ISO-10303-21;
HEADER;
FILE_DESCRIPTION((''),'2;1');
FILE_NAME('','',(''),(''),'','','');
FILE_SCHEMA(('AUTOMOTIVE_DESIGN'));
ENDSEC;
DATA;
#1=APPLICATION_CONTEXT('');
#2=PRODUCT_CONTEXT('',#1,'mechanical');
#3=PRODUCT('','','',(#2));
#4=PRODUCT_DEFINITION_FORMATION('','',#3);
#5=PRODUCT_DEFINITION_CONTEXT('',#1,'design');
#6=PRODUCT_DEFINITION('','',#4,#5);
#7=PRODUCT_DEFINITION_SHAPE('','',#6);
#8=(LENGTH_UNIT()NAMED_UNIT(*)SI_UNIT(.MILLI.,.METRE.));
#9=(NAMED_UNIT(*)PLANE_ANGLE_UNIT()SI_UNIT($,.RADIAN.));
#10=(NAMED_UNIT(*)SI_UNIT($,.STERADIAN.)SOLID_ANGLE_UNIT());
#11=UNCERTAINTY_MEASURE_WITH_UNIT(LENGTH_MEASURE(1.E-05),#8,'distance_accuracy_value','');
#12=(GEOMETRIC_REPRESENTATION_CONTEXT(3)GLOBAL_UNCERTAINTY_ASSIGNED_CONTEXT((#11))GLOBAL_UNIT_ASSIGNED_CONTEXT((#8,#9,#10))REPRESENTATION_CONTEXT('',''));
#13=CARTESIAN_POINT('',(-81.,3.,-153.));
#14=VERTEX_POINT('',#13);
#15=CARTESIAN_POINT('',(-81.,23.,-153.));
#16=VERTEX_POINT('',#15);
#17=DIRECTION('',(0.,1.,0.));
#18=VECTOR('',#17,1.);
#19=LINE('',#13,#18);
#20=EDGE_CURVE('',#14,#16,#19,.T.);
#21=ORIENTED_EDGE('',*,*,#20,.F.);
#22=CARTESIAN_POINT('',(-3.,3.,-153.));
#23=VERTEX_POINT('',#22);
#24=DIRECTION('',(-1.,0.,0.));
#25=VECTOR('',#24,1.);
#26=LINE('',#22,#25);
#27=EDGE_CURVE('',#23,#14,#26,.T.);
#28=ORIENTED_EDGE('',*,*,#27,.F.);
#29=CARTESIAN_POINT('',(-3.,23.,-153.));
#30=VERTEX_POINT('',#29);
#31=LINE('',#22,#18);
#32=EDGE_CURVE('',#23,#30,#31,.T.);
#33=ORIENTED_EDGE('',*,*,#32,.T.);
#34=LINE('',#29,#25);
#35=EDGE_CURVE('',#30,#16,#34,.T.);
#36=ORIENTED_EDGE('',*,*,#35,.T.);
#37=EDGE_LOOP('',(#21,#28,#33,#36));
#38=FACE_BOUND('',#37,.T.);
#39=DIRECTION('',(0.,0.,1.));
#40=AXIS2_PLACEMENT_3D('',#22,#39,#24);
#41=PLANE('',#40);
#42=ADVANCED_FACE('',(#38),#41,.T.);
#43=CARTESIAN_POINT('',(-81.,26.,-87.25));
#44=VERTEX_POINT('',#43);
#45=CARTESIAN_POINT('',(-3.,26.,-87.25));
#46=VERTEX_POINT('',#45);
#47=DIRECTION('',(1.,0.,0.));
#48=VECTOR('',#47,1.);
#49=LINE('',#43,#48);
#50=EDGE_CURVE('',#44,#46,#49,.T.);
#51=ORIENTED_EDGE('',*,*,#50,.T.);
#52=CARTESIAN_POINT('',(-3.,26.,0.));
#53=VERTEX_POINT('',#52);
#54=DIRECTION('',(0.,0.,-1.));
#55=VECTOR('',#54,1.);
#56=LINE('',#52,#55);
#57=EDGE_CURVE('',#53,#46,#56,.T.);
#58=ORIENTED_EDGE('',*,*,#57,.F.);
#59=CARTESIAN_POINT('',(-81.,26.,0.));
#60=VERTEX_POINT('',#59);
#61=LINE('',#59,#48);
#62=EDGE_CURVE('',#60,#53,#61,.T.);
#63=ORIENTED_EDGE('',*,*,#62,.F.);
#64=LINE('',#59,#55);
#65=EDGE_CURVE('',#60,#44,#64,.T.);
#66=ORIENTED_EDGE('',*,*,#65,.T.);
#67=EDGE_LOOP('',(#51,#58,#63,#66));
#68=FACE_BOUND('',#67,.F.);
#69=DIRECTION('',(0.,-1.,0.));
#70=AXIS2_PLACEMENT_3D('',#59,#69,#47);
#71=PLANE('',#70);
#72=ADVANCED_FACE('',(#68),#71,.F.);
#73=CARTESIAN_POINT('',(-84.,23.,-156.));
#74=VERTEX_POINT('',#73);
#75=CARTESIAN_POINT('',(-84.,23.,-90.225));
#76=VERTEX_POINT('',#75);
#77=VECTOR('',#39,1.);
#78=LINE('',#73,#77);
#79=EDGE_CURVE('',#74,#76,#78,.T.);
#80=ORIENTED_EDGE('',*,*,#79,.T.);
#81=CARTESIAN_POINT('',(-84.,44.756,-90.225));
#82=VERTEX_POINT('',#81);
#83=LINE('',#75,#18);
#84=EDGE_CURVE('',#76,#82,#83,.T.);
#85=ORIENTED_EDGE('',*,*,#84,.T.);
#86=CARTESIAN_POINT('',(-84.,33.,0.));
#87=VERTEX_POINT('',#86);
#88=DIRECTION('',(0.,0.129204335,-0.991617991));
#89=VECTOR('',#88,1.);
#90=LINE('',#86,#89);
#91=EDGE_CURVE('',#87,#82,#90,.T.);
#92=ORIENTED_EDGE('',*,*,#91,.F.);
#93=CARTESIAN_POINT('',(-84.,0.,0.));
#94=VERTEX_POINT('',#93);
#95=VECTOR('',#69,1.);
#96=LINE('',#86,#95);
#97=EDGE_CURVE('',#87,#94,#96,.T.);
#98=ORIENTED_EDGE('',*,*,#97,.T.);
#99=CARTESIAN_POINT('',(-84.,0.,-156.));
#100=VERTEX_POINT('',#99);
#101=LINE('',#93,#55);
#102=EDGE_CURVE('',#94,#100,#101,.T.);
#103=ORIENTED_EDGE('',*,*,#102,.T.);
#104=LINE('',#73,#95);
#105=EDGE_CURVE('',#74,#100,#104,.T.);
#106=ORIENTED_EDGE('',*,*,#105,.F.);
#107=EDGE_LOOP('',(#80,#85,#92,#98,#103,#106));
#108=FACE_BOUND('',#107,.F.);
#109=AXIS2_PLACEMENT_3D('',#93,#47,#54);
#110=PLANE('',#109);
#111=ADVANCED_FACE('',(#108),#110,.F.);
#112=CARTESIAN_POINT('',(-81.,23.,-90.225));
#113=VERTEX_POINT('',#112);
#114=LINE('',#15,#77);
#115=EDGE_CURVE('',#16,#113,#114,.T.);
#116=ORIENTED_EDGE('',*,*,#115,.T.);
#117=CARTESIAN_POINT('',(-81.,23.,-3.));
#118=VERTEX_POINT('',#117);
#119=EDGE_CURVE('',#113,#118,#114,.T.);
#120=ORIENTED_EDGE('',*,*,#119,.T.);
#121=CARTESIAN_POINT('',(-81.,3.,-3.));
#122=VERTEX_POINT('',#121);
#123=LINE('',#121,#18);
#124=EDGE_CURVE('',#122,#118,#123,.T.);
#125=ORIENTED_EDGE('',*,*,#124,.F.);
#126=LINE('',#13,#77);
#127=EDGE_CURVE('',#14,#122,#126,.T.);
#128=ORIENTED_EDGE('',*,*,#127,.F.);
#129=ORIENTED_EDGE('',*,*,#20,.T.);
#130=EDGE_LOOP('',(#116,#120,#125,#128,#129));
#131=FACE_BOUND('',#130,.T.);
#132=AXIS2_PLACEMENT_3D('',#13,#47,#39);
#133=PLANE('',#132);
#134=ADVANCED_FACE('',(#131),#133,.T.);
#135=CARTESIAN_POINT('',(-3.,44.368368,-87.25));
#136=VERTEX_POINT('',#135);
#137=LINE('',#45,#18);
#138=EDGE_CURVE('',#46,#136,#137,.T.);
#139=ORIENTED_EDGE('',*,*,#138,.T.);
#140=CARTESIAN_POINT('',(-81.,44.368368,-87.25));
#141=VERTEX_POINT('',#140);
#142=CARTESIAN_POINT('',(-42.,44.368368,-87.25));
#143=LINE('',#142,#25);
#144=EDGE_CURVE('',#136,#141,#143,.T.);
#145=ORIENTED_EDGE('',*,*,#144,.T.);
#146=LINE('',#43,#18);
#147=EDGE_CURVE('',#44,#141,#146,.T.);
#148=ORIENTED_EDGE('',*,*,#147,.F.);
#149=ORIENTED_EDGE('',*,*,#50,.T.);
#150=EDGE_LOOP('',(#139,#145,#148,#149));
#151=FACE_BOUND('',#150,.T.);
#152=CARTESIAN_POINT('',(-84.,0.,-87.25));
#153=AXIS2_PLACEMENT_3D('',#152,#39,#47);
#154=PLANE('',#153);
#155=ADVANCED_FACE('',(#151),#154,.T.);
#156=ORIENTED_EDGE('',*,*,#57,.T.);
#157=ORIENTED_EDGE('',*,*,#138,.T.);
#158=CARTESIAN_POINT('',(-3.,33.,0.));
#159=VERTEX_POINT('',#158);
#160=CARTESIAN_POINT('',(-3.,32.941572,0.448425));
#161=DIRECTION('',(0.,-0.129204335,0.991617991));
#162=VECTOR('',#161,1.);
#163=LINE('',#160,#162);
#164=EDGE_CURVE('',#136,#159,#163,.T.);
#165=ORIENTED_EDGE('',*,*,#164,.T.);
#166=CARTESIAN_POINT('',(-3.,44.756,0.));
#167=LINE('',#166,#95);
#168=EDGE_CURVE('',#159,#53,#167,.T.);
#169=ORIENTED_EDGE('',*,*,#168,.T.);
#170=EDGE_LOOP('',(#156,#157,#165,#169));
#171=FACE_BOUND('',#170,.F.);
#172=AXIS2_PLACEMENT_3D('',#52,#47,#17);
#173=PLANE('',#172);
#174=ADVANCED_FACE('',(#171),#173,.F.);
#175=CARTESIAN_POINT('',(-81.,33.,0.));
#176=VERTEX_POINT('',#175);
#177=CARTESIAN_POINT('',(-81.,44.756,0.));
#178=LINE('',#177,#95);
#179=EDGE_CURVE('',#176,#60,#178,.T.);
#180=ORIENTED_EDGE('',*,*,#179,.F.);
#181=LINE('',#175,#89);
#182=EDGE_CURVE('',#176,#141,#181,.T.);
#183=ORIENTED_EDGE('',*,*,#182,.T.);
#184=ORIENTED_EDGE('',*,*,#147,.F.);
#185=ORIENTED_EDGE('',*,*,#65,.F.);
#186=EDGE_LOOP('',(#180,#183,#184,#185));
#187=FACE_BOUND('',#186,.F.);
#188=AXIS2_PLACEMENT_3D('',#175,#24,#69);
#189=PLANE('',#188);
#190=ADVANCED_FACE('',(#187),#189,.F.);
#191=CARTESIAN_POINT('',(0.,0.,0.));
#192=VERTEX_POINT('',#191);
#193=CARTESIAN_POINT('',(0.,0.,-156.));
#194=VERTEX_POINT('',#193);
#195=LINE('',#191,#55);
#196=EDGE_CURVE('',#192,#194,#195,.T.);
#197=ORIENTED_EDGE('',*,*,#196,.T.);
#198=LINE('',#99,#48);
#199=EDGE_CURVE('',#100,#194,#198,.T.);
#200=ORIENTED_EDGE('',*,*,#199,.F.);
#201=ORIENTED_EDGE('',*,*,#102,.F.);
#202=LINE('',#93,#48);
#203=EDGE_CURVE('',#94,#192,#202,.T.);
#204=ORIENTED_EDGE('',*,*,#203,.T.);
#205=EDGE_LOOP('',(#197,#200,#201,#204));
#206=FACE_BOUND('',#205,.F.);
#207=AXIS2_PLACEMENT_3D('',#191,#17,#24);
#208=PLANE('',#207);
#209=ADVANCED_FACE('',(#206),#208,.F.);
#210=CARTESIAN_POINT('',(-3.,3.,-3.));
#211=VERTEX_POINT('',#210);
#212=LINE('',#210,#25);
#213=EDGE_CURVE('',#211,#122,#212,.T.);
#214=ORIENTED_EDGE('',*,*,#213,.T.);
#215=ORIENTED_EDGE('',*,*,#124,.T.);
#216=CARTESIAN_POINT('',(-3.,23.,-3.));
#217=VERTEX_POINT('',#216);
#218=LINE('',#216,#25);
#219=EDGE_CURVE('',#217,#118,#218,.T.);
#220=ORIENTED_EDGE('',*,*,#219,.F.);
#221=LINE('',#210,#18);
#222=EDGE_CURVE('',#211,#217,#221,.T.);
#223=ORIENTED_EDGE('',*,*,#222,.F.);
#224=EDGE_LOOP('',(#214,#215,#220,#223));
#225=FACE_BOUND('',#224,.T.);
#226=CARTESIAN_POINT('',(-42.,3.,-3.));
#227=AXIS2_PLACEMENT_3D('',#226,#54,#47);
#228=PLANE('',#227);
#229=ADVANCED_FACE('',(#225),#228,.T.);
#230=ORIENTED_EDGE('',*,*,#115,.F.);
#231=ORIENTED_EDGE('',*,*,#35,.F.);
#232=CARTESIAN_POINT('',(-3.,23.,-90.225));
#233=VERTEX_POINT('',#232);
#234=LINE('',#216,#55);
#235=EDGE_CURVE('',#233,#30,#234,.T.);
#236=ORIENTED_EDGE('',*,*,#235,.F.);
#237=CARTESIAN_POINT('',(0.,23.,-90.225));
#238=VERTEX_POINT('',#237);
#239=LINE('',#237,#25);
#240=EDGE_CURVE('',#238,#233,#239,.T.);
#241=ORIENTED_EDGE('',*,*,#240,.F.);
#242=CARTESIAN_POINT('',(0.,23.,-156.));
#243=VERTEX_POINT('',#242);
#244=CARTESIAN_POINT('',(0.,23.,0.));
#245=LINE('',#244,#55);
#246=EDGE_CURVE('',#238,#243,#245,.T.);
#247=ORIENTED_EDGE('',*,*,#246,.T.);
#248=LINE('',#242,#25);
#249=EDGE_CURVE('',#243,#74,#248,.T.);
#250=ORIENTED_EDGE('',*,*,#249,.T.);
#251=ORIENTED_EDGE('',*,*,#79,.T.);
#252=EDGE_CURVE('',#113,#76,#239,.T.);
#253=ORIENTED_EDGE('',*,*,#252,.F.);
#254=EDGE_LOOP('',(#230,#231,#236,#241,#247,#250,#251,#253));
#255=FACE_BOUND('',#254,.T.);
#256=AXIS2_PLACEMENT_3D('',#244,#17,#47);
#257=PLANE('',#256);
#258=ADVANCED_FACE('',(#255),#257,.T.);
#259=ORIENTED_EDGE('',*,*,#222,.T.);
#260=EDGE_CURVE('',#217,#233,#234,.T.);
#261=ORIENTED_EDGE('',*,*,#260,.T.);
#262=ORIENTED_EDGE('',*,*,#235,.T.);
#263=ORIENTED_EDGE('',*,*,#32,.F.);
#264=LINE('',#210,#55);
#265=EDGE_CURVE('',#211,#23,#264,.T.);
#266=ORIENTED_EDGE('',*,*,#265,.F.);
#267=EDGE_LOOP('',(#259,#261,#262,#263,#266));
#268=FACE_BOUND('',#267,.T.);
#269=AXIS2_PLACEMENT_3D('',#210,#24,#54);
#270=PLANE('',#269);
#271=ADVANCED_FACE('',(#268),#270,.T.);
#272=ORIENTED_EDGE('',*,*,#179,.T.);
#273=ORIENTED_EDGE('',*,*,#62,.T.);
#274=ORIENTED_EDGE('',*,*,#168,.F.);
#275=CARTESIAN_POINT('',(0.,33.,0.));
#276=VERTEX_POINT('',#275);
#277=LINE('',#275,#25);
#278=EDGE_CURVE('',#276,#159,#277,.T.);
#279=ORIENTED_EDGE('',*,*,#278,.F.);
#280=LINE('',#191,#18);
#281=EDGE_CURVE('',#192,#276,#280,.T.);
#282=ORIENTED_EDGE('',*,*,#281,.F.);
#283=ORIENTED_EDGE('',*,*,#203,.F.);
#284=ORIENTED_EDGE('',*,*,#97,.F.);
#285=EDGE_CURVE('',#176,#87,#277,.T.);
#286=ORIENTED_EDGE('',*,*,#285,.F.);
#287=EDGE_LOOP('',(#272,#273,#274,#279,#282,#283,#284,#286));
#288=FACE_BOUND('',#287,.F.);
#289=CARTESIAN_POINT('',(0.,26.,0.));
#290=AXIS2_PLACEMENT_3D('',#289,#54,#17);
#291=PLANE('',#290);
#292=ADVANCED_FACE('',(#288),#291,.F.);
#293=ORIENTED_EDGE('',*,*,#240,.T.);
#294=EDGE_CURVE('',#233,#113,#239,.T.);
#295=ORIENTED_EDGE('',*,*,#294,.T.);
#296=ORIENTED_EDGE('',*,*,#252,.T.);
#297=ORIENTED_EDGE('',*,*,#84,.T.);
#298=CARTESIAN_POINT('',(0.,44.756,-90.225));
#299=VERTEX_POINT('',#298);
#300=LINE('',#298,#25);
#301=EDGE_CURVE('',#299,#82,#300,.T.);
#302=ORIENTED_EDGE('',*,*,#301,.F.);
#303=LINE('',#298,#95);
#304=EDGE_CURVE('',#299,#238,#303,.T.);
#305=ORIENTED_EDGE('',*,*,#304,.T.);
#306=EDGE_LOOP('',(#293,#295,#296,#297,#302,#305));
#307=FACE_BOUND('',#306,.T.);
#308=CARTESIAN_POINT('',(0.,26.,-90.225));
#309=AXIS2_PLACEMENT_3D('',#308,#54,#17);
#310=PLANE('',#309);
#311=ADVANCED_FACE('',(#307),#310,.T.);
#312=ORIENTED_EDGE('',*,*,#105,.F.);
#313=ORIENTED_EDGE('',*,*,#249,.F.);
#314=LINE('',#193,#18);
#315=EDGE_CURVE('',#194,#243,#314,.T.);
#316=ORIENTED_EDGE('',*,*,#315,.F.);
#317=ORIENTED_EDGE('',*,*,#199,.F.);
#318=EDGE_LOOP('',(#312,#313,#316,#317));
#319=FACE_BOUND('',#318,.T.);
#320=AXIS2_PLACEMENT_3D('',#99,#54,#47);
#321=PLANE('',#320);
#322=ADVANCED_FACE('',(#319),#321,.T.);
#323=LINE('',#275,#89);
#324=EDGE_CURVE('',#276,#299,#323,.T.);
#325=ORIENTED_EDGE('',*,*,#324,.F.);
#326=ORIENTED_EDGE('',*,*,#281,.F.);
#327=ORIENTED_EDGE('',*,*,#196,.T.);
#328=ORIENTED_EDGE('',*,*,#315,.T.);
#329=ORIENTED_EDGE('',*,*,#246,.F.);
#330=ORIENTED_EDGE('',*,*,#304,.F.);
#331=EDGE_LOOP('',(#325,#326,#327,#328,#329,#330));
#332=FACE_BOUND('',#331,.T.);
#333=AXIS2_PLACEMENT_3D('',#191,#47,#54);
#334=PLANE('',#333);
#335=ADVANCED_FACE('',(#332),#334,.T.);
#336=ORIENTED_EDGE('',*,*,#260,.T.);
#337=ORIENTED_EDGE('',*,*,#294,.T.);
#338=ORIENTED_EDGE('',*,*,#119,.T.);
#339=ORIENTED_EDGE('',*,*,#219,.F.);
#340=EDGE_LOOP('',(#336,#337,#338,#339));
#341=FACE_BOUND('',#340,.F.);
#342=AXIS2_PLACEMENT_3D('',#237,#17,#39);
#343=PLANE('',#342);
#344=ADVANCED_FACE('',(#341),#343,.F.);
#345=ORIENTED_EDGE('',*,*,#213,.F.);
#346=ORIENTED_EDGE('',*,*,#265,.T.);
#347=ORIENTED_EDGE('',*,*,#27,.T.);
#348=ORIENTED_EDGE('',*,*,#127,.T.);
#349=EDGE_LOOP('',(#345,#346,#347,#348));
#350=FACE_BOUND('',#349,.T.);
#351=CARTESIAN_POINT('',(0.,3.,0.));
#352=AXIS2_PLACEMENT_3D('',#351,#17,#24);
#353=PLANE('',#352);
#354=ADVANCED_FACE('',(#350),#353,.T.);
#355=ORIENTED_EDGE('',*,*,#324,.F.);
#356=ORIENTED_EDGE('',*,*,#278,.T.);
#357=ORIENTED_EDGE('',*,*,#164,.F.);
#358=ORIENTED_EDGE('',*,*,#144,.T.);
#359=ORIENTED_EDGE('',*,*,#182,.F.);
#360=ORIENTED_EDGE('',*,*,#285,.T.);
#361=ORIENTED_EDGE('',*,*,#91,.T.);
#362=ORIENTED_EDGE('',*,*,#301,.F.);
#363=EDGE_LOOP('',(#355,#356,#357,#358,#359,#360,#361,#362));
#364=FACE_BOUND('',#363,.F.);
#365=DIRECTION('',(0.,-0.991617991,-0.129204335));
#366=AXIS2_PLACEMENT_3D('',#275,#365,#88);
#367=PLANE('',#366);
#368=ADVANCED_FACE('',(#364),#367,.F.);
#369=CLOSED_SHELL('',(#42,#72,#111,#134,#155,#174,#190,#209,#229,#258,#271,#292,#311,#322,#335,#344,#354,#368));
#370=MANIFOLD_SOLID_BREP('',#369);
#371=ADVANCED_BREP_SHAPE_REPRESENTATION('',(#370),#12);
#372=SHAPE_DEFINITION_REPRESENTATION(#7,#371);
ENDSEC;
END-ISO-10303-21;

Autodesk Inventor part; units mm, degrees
ref_plane "YZ Plane" through (0, 0, 0) normal (1, 0, 0) x (0, 1, 0)
ref_plane "XZ Plane" through (0, 0, 0) normal (0, 1, 0) x (-1, 0, 0)
ref_plane "XY Plane" through (0, 0, 0) normal (0, 0, 1) x (1, 0, 0)
sketch "Sketch1" plane through (0, 0, 0) normal (0, 1, 0) x (-1, 0, 0)
  line L0 (0, 0) -> (84, 0)
  line L1 (84, 0) -> (84, -156)
  line L2 (84, -156) -> (0, -156)
  line L3 (0, -156) -> (0, 0)
  line L4 (84, 0) -> (81, 0)
  line L5 (81, 0) -> (81, -3) construction
  line L6 (81, -3) -> (84, -3) construction
  line L7 (84, -3) -> (84, 0)
  line L8 (0, -156) -> (3, -156)
  line L9 (3, -156) -> (3, -153) construction
  line L10 (3, -153) -> (0, -153) construction
  line L11 (0, -153) -> (0, -156)
  line L12 (81, -3) -> (0, -3) construction
  dimension "d0" = 84
  dimension "d1" = 156
extrude "Extrusion1" add sketch "Sketch1" along normal blind 3
sketch "Sketch2" plane through (0, 3, 0) normal (0, 1, 0) x (1, 0, 0)
  line L0 (-84, 0) -> (0, 0) projected
  line L1 (-84, 0) -> (-42, 0)
  line L2 (-81, 3) -> (-3, 3)
  line L3 (-3, 3) -> (-3, 153)
  line L4 (-3, 153) -> (-81, 153)
  line L5 (-81, 153) -> (-81, 3)
  line L6 (-42, 0) -> (-42, 3)
  line L7 (-81, 3) -> (-47.5, 3)
  line L8 (0, 0) -> (0, 156) projected
  line L9 (-84, 0) -> (0, 0)
  line L10 (0, 0) -> (0, 156)
  line L11 (0, 156) -> (-84, 156)
  line L12 (-84, 156) -> (-84, 0)
  line L13 (-84, 156) -> (-84, 0) projected
  dimension "d12" = 42
  dimension "d13" = 78
  dimension "d14" = 150
  dimension "d15" = 3
  dimension "d16" = 33.5
extrude "Extrusion2" add sketch "Sketch2" along normal blind 20
sketch "Sketch3" plane through (0, 0, 0) normal (1, 0, 0) x (0, 0, -1)
  line L0 (156, 23) -> (0, 23) projected
  line L1 (0, 23) -> (90.225, 23)
  line L2 (90.225, 23) -> (90.225, 26)
  line L3 (90.225, 26) -> (0, 26)
  line L4 (0, 26) -> (0, 23)
  point P0 (0, 0)
  dimension "d19" = 90.225
  dimension "d20" = 3
extrude "Extrusion3" add sketch "Sketch3" against normal up to surface (84 mm away)
sketch "Sketch4" plane through (0, 0, 0) normal (1, 0, 0) x (0, 0, -1)
  line L0 (0, 33) -> (90.225, 44.756)
  line L1 (0, 26) -> (0, 33)
  line L2 (90.225, 23) -> (90.225, 26) projected
  line L3 (0, 26) -> (90.225, 26)
  line L4 (90.225, 26) -> (90.225, 44.756)
sketch "Sketch5" plane through (-84, 0, 0) normal (0, 0, 1) x (1, 0, 0)
  line L0 (3, 33) -> (3, 26)
  line L1 (3, 26) -> (81, 26)
  line L2 (81, 26) -> (81, 33)
  line L3 (81, 26) -> (3, 26)
  line L4 (3, 26) -> (3, 44.756)
  line L5 (3, 44.756) -> (81, 44.756)
  line L6 (81, 44.756) -> (81, 26)
  line L7 (3, 33) -> (81, 33)
  point P0 (84, 0)
  point P1 (84, 33)
  dimension "d27" = 3
  dimension "d28" = 78
  dimension "d29" = 7
sketch "Sketch6" plane through (0, 0, 0) normal (1, 0, 0) x (0, 0, -1)
  point P0 (0, 0)
extrude "Extrusion7" add sketch "Sketch4" against normal up to surface (84 mm away)
extrude "Extrusion10" cut sketch "Sketch5" against normal blind 87.25
properties part number "PB en arduino"
